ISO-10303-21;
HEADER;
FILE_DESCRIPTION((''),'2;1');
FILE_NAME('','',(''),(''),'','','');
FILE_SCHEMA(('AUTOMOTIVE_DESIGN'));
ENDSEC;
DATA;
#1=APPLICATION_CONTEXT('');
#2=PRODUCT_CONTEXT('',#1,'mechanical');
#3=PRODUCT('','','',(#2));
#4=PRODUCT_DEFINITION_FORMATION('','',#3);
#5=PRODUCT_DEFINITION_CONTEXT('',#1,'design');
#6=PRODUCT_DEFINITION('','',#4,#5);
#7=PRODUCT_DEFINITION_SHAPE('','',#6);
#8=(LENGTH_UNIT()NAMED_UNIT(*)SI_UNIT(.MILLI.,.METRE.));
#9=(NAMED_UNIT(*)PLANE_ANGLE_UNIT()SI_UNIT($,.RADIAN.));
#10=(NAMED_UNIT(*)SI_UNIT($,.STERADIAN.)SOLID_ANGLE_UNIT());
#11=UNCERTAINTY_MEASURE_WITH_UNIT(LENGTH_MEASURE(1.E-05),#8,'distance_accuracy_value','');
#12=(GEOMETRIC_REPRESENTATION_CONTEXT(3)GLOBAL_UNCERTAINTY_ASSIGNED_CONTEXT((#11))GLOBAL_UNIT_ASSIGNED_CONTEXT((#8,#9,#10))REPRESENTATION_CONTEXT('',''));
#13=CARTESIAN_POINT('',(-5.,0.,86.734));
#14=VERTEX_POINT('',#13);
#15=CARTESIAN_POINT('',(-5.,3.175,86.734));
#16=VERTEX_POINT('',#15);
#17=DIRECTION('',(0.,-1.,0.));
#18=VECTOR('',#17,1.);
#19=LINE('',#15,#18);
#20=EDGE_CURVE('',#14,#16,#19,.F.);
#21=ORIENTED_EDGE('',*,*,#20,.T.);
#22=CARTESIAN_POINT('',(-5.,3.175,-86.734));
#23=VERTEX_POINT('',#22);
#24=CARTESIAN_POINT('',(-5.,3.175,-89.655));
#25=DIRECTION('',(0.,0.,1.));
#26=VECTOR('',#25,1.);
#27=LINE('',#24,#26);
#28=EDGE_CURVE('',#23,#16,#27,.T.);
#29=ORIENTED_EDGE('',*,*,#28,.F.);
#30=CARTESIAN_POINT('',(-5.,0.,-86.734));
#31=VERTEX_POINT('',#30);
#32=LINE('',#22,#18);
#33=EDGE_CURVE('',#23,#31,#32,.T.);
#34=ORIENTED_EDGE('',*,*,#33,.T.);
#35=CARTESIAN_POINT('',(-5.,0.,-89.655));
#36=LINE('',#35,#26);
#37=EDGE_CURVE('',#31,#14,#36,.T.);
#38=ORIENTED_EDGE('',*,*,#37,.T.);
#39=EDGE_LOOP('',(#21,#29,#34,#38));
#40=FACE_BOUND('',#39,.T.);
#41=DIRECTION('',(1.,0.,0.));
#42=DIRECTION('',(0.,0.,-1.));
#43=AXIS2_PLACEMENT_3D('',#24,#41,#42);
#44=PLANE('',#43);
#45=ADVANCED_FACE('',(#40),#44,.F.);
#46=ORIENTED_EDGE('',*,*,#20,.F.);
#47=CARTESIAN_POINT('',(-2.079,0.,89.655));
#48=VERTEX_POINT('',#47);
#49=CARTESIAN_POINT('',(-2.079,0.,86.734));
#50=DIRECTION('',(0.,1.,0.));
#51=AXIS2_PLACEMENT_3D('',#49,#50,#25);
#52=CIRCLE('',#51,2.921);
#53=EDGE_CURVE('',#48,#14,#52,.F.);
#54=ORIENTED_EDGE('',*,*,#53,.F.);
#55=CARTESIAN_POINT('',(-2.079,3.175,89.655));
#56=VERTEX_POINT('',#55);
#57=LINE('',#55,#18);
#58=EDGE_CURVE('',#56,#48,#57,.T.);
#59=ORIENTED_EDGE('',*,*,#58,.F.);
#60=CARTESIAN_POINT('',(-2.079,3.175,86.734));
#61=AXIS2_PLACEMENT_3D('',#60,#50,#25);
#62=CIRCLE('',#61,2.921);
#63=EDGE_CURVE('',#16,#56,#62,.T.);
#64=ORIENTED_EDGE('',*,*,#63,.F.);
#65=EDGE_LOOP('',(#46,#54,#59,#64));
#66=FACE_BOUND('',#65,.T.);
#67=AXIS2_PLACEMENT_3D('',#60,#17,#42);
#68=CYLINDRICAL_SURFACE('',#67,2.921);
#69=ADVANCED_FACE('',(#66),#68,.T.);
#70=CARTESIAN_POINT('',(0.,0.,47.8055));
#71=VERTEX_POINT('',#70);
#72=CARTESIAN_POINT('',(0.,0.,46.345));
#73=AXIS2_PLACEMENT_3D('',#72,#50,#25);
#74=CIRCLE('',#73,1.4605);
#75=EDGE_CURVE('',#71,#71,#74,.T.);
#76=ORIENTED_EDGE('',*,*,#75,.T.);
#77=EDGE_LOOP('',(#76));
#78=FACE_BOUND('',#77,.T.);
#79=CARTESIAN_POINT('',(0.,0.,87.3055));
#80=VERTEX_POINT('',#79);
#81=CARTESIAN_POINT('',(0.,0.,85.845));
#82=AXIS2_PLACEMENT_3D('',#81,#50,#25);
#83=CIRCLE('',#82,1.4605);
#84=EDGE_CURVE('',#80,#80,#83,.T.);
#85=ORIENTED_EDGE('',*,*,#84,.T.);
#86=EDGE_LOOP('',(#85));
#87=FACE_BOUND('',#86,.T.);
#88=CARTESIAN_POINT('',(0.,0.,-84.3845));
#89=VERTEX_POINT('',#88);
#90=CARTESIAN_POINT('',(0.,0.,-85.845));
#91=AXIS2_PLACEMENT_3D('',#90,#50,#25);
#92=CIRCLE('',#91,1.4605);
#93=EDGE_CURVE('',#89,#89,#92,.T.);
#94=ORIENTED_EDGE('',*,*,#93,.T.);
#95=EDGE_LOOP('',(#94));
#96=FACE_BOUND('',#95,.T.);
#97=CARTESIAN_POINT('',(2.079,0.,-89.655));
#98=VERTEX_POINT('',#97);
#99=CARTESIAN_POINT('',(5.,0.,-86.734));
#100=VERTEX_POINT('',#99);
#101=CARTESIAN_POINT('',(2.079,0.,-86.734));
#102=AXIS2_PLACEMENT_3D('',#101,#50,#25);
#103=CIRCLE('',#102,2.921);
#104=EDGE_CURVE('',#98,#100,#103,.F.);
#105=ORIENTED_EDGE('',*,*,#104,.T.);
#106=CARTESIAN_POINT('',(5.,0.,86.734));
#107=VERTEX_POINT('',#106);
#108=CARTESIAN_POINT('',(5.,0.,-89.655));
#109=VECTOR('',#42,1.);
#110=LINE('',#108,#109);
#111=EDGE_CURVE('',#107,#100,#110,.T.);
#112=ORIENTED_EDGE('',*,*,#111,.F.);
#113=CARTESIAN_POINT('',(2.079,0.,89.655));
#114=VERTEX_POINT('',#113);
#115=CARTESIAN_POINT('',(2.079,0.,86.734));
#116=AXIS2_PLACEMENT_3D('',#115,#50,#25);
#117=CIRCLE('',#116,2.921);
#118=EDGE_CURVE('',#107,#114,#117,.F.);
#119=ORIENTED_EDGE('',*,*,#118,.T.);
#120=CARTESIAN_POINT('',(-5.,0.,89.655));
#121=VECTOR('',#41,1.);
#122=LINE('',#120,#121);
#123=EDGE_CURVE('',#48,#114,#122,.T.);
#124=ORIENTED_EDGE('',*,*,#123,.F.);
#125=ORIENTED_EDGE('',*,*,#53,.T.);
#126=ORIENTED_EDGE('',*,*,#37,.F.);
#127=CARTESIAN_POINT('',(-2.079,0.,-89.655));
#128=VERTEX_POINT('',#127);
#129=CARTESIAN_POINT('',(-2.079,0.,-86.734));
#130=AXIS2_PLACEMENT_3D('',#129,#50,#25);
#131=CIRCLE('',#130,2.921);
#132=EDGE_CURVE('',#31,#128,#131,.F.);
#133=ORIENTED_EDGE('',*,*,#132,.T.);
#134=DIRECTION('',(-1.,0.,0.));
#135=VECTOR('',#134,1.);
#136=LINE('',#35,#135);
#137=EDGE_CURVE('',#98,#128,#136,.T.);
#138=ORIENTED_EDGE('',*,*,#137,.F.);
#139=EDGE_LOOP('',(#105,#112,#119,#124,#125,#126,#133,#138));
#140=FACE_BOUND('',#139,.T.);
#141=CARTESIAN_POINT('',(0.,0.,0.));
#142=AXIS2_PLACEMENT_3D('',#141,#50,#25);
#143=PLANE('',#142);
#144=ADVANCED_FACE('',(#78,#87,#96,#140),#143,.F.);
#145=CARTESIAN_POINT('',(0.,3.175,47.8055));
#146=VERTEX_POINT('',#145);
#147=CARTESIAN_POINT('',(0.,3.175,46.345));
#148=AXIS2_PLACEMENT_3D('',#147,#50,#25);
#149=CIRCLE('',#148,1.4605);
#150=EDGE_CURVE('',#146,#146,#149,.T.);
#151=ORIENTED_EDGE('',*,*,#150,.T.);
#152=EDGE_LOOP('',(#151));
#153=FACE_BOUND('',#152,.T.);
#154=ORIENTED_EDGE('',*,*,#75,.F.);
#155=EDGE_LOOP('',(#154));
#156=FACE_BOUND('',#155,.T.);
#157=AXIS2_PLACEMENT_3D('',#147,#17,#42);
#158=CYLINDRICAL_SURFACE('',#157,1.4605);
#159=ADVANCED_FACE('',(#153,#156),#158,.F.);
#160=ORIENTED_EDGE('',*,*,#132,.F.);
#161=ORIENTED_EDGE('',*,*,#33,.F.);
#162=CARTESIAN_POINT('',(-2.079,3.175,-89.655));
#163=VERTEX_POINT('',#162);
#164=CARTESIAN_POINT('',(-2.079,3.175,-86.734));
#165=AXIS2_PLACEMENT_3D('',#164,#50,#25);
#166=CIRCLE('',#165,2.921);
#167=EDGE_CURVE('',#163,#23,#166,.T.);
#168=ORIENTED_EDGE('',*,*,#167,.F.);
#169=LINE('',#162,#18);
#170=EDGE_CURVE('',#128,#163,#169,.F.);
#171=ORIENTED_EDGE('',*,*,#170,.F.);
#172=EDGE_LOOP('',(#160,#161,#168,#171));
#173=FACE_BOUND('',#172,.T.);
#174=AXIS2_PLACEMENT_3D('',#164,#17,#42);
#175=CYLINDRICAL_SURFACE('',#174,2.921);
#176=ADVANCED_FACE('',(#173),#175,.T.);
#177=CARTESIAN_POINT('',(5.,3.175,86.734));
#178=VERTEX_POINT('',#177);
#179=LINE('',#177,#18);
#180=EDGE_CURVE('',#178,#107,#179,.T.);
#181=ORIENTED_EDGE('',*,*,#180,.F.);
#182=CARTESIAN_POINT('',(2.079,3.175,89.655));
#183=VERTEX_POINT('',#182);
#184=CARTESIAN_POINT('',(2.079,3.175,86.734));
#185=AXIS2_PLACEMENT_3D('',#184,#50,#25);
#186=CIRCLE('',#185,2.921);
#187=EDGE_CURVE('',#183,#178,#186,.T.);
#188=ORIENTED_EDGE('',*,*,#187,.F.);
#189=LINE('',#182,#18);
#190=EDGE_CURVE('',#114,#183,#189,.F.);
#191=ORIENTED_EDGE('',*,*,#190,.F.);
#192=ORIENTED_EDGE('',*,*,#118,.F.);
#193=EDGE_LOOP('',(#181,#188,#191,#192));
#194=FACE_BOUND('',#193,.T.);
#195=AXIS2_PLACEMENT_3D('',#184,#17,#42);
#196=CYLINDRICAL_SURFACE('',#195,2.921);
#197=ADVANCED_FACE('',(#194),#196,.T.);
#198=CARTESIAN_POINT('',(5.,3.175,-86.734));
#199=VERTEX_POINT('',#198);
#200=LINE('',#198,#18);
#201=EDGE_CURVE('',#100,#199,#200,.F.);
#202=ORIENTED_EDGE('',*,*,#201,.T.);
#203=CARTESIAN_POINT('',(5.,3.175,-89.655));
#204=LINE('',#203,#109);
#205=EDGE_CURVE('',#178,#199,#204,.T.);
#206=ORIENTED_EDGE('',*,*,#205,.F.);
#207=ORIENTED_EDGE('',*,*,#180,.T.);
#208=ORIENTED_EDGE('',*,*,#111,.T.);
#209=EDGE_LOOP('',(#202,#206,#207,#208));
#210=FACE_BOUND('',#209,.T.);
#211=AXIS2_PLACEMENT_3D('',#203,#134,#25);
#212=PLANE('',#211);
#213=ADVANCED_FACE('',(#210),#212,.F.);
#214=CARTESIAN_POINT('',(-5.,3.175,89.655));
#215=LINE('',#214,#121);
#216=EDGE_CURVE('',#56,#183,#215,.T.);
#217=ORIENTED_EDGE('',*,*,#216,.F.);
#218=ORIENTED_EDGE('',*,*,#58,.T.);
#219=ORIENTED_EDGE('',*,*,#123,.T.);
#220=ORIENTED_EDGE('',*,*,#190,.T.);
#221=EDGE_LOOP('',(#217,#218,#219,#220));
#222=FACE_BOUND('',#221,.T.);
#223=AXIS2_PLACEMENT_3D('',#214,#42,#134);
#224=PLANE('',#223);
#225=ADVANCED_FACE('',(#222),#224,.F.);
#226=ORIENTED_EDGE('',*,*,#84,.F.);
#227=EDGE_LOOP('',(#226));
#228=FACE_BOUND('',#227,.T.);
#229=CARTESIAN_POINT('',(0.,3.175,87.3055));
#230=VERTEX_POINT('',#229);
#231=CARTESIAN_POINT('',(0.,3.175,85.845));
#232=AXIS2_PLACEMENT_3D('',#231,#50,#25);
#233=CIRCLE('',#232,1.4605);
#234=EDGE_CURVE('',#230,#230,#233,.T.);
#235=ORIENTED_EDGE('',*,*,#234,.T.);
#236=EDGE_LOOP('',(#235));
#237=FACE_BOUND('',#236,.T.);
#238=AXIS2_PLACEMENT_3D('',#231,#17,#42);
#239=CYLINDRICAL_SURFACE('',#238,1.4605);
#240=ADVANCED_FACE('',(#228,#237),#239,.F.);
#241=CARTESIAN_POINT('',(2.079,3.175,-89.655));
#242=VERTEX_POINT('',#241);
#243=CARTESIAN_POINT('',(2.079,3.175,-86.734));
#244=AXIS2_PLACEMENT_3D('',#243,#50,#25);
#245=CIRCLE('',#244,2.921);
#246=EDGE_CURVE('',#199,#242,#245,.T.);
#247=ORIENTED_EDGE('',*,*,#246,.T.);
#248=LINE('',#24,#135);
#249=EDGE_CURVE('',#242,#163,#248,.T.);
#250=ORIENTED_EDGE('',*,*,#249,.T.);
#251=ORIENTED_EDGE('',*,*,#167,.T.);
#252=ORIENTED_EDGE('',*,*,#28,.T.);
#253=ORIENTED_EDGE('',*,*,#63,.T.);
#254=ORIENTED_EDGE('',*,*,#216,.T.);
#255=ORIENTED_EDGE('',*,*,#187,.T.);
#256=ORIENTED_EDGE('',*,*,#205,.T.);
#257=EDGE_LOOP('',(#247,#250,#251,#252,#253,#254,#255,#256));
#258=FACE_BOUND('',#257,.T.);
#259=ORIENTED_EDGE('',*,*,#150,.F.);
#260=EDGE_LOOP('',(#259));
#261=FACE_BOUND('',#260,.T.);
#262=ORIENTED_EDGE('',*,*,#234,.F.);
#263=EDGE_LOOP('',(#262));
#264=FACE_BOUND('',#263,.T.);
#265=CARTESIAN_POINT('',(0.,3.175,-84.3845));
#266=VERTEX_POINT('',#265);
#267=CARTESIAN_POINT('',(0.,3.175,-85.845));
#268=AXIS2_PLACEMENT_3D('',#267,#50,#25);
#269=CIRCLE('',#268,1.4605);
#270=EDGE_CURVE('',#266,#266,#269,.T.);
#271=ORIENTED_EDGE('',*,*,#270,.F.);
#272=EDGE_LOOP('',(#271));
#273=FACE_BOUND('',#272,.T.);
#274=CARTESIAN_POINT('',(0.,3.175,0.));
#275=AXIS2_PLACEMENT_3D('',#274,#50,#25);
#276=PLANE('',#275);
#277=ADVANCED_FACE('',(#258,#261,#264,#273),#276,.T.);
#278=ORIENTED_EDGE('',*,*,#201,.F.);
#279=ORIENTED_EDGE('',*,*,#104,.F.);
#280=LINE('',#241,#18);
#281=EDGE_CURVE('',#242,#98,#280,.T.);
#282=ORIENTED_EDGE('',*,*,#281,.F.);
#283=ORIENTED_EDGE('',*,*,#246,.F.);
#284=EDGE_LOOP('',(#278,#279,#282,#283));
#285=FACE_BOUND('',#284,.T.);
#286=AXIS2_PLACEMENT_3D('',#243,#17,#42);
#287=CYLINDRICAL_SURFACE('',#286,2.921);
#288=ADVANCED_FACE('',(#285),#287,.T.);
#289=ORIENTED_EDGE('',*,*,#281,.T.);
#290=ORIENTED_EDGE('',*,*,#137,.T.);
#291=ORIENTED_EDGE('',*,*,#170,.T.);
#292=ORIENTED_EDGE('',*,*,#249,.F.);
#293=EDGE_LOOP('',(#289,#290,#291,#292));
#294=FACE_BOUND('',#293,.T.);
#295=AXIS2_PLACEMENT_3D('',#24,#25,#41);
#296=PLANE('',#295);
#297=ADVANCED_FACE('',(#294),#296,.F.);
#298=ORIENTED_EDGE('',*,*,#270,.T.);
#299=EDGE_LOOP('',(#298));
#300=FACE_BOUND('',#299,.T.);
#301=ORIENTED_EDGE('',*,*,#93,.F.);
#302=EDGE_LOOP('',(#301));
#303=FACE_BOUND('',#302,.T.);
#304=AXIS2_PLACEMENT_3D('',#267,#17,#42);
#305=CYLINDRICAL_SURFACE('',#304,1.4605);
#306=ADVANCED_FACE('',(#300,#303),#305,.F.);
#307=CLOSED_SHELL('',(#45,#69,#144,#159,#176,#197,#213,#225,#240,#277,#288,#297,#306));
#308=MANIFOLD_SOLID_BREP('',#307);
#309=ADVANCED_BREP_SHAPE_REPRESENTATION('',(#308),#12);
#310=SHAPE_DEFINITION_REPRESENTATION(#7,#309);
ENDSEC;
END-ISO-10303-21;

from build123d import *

# Parameters (mm, degrees)
SKETCH1_W           = 10
SKETCH1_H           = 179.31
SKETCH1_R           = 1.4605
BOSS_EXTRUDE1_DEPTH = 3.175
FILLET1_R           = 2.921


with BuildPart() as part:
    # Sketch1 → Boss-Extrude1 (new body)
    with BuildSketch(Plane(origin=(0, 0, 0), x_dir=(1, 0, 0), z_dir=(0, 1, 0))):
        Rectangle(SKETCH1_W, SKETCH1_H)
        with Locations(Location((0, 85.845, 0), (0, 0, 270))):
            Circle(SKETCH1_R, mode=Mode.SUBTRACT)
        with Locations(Location((0, -46.345, 0), (0, 0, 270))):
            Circle(SKETCH1_R, mode=Mode.SUBTRACT)
        with Locations(Location((0, -85.845, 0), (0, 0, 270))):
            Circle(SKETCH1_R, mode=Mode.SUBTRACT)
    extrude(amount=BOSS_EXTRUDE1_DEPTH)

    # Fillet1
    fillet1_edges = [part.edges().sort_by_distance(p)[0] for p in [
        (5, 1.5875, 89.655),
        (-5, 1.5875, 89.655),
        (-5, 1.5875, -89.655),
        (5, 1.5875, -89.655),
    ]]
    fillet(fillet1_edges, radius=FILLET1_R)


solid = part.part
